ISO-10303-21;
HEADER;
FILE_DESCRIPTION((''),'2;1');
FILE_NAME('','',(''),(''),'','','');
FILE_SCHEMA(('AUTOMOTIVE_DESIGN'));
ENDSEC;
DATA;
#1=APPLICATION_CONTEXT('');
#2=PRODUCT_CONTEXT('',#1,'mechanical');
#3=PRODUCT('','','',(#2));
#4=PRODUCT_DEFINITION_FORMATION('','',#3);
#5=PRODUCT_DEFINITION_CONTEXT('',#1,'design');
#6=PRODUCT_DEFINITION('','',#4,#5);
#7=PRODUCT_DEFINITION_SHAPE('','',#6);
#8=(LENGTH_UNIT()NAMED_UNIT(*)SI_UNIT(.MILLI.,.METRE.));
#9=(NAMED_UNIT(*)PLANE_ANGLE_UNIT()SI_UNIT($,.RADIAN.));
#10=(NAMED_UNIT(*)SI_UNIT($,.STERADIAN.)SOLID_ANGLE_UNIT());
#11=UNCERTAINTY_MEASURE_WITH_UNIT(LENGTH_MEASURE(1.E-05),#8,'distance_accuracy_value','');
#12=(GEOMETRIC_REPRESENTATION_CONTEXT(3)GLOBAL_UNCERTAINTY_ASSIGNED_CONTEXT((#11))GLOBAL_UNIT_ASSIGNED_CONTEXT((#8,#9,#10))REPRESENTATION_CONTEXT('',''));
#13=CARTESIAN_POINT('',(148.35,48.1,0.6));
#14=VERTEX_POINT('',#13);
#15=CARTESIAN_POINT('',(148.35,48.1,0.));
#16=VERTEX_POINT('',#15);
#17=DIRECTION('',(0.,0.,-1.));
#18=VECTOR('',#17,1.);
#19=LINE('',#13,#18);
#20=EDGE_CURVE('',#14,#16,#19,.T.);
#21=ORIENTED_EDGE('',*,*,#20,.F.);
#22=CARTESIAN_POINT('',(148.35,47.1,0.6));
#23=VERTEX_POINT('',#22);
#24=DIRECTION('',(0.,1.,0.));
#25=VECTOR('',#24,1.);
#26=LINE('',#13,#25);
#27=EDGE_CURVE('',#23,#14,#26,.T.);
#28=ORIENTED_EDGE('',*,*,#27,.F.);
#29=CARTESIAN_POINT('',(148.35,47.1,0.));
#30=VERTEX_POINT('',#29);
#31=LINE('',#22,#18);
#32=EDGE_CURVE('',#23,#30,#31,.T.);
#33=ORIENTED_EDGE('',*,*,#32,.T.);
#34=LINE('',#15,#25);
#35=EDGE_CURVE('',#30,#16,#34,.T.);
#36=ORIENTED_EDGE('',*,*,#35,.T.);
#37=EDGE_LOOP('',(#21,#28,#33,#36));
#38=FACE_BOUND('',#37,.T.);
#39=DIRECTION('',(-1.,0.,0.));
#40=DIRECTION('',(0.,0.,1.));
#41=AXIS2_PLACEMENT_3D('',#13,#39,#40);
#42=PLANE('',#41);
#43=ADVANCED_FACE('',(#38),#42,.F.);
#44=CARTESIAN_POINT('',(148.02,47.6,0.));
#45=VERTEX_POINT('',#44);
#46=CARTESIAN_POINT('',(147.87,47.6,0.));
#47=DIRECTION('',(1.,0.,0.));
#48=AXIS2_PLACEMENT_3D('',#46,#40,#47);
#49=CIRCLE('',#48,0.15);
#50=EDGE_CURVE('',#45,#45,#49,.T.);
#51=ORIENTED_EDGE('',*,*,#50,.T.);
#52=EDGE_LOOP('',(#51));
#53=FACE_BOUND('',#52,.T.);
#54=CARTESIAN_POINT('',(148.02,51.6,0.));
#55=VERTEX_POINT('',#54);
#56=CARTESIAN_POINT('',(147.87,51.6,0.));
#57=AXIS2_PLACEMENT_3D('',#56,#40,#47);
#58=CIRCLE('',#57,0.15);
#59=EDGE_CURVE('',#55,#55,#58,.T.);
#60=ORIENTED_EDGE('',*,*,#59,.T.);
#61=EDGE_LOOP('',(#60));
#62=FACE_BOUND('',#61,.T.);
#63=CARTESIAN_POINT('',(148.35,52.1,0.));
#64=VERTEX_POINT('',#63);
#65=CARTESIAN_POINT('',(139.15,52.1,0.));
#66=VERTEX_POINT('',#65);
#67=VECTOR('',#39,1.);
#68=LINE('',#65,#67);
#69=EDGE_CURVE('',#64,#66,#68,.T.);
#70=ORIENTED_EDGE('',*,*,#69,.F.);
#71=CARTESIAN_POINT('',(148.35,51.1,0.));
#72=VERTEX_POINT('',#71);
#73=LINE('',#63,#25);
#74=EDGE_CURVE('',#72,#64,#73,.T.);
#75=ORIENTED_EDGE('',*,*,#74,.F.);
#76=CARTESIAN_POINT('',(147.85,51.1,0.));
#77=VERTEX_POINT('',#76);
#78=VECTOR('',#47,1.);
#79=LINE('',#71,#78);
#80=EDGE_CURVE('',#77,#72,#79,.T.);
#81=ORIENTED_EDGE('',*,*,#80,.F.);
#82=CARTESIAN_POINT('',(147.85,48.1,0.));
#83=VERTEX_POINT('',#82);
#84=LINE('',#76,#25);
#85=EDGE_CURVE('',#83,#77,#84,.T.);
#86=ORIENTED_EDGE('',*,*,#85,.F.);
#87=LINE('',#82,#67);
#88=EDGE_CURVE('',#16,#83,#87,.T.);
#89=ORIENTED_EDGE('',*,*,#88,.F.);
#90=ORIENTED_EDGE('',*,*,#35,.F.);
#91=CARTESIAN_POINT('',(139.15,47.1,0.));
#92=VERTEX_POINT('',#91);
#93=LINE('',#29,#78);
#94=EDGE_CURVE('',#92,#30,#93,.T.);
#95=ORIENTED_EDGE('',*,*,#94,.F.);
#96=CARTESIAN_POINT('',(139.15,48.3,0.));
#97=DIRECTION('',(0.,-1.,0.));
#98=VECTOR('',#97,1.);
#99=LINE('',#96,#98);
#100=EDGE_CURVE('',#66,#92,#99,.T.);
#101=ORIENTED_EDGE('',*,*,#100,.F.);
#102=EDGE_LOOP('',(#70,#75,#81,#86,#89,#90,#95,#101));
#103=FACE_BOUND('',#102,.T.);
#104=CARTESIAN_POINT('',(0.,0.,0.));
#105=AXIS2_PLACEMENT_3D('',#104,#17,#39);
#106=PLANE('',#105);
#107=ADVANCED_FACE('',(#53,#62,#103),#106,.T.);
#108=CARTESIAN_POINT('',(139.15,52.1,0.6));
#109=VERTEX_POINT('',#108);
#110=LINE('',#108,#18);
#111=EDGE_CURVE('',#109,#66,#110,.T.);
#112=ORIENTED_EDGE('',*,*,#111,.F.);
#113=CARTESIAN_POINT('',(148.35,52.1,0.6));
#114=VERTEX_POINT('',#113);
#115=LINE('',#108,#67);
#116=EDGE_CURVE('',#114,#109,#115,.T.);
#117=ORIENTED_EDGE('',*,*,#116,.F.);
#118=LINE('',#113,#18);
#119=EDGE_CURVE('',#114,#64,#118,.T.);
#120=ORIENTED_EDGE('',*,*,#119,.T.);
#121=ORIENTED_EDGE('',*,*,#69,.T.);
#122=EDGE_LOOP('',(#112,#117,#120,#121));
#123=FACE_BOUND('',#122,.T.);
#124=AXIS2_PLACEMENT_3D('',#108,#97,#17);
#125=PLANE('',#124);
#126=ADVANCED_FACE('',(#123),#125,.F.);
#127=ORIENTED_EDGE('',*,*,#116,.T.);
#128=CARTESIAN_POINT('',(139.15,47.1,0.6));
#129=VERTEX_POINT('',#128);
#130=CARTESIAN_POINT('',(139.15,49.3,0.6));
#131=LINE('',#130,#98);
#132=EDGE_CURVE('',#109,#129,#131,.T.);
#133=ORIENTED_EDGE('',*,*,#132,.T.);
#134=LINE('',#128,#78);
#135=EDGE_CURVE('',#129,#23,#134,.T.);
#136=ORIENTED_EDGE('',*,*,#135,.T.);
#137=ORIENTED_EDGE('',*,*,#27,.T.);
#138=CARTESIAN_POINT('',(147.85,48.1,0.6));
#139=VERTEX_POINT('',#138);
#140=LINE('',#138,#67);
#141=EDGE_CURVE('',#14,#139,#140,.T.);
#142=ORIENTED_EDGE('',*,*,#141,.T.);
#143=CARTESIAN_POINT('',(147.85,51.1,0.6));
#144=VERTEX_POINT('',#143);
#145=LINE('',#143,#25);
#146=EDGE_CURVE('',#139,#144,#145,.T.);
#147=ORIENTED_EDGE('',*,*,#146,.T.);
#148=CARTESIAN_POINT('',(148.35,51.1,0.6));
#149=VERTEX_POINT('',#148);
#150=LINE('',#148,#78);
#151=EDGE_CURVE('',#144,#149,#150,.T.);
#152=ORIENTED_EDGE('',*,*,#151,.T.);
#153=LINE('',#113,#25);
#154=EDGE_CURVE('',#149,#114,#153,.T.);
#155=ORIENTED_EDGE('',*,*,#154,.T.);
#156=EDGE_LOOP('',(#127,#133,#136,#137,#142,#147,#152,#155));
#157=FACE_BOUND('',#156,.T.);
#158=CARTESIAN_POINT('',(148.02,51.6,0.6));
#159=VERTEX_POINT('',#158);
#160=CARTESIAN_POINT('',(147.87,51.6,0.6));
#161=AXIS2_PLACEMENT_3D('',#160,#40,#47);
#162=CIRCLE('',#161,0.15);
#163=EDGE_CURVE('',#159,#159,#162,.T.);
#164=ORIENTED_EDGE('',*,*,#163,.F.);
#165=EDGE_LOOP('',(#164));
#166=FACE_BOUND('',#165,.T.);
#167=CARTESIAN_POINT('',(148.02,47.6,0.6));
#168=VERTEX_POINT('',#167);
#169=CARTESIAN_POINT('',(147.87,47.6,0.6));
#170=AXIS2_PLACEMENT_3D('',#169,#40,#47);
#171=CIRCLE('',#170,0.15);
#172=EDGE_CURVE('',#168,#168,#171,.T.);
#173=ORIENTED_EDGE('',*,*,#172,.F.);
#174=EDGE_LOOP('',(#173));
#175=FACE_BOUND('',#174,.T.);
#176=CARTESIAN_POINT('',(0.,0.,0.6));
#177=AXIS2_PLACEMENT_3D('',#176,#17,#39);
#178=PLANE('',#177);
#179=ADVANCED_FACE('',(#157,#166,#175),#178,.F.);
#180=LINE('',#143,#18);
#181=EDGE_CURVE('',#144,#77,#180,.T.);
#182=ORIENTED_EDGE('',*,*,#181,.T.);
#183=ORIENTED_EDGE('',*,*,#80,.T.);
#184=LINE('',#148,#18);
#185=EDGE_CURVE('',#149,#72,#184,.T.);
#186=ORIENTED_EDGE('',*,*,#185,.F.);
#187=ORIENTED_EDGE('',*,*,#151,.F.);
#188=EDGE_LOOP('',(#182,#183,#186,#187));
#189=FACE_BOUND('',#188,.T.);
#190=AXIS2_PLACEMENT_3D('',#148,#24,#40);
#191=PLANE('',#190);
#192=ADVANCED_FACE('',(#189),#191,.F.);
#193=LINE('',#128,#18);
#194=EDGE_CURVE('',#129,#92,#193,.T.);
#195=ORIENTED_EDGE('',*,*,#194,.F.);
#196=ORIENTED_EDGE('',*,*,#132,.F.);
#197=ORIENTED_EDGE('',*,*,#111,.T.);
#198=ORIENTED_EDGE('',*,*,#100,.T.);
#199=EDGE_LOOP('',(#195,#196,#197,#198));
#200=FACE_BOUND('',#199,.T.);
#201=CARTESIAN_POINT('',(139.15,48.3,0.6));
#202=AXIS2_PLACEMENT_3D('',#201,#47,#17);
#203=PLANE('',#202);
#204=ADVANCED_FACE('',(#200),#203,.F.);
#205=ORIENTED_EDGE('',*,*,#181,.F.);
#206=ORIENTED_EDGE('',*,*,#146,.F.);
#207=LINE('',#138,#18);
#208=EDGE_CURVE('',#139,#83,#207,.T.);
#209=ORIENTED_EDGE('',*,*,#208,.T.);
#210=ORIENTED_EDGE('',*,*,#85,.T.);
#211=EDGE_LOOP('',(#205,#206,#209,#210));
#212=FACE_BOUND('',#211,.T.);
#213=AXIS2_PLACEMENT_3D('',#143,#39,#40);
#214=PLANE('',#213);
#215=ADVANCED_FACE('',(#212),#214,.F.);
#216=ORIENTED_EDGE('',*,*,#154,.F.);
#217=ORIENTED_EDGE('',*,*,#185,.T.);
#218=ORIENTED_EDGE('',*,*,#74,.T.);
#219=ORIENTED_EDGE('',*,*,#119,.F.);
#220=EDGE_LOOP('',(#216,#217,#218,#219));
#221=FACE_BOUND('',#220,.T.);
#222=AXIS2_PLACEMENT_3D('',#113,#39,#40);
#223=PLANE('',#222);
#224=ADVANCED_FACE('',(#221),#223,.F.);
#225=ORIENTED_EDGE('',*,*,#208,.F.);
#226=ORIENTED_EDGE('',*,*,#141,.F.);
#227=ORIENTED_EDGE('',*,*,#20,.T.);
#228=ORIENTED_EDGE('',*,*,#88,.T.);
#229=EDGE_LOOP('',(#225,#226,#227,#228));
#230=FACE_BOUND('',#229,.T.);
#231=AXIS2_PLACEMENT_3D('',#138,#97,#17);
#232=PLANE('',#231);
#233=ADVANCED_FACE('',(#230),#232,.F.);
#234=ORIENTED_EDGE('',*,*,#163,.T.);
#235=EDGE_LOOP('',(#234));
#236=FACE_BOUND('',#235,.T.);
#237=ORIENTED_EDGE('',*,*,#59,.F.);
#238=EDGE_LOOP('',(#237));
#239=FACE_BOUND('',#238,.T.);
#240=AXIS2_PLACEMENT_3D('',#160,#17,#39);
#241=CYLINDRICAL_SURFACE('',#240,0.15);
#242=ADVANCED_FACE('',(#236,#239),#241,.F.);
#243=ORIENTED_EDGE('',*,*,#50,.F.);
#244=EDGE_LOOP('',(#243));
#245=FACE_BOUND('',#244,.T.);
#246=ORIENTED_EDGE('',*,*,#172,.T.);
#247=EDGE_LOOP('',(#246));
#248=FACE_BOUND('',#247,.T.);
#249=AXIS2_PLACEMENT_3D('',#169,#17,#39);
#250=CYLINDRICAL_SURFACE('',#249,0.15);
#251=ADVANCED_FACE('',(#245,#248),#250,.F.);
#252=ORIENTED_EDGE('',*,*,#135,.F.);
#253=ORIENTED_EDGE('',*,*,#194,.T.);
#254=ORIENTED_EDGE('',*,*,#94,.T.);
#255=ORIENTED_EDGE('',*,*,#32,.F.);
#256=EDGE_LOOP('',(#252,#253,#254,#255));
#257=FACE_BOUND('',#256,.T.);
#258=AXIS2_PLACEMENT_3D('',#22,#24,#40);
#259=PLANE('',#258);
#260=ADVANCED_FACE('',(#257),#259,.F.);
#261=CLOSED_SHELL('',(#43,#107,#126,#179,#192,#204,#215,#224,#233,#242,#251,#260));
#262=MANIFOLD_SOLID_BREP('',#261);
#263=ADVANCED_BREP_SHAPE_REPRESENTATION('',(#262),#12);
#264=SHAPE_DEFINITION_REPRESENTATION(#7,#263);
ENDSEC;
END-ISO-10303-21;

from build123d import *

# Parameters (mm, degrees)
SKETCH1_R           = 0.15
BOSS_EXTRUDE1_DEPTH = 0.6


with BuildPart() as part:
    # Sketch1 → Boss-Extrude1 (new body)
    with BuildSketch(Plane.XY):
        Polygon((148.35, 52.1), (148.35, 51.1), (147.85, 51.1), (147.85, 48.1), (148.35, 48.1), (148.35, 47.1), (146.55, 47.1), (146.05, 47.1), (140.55, 47.1), (140.05, 47.1), (139.15, 47.1), (139.15, 48.3), (139.15, 49.3), (139.15, 52.1), align=None)
        with Locations((147.87, 47.6)):
            Circle(SKETCH1_R, mode=Mode.SUBTRACT)
        with Locations((147.87, 51.6)):
            Circle(SKETCH1_R, mode=Mode.SUBTRACT)
    extrude(amount=BOSS_EXTRUDE1_DEPTH)


solid = part.part
